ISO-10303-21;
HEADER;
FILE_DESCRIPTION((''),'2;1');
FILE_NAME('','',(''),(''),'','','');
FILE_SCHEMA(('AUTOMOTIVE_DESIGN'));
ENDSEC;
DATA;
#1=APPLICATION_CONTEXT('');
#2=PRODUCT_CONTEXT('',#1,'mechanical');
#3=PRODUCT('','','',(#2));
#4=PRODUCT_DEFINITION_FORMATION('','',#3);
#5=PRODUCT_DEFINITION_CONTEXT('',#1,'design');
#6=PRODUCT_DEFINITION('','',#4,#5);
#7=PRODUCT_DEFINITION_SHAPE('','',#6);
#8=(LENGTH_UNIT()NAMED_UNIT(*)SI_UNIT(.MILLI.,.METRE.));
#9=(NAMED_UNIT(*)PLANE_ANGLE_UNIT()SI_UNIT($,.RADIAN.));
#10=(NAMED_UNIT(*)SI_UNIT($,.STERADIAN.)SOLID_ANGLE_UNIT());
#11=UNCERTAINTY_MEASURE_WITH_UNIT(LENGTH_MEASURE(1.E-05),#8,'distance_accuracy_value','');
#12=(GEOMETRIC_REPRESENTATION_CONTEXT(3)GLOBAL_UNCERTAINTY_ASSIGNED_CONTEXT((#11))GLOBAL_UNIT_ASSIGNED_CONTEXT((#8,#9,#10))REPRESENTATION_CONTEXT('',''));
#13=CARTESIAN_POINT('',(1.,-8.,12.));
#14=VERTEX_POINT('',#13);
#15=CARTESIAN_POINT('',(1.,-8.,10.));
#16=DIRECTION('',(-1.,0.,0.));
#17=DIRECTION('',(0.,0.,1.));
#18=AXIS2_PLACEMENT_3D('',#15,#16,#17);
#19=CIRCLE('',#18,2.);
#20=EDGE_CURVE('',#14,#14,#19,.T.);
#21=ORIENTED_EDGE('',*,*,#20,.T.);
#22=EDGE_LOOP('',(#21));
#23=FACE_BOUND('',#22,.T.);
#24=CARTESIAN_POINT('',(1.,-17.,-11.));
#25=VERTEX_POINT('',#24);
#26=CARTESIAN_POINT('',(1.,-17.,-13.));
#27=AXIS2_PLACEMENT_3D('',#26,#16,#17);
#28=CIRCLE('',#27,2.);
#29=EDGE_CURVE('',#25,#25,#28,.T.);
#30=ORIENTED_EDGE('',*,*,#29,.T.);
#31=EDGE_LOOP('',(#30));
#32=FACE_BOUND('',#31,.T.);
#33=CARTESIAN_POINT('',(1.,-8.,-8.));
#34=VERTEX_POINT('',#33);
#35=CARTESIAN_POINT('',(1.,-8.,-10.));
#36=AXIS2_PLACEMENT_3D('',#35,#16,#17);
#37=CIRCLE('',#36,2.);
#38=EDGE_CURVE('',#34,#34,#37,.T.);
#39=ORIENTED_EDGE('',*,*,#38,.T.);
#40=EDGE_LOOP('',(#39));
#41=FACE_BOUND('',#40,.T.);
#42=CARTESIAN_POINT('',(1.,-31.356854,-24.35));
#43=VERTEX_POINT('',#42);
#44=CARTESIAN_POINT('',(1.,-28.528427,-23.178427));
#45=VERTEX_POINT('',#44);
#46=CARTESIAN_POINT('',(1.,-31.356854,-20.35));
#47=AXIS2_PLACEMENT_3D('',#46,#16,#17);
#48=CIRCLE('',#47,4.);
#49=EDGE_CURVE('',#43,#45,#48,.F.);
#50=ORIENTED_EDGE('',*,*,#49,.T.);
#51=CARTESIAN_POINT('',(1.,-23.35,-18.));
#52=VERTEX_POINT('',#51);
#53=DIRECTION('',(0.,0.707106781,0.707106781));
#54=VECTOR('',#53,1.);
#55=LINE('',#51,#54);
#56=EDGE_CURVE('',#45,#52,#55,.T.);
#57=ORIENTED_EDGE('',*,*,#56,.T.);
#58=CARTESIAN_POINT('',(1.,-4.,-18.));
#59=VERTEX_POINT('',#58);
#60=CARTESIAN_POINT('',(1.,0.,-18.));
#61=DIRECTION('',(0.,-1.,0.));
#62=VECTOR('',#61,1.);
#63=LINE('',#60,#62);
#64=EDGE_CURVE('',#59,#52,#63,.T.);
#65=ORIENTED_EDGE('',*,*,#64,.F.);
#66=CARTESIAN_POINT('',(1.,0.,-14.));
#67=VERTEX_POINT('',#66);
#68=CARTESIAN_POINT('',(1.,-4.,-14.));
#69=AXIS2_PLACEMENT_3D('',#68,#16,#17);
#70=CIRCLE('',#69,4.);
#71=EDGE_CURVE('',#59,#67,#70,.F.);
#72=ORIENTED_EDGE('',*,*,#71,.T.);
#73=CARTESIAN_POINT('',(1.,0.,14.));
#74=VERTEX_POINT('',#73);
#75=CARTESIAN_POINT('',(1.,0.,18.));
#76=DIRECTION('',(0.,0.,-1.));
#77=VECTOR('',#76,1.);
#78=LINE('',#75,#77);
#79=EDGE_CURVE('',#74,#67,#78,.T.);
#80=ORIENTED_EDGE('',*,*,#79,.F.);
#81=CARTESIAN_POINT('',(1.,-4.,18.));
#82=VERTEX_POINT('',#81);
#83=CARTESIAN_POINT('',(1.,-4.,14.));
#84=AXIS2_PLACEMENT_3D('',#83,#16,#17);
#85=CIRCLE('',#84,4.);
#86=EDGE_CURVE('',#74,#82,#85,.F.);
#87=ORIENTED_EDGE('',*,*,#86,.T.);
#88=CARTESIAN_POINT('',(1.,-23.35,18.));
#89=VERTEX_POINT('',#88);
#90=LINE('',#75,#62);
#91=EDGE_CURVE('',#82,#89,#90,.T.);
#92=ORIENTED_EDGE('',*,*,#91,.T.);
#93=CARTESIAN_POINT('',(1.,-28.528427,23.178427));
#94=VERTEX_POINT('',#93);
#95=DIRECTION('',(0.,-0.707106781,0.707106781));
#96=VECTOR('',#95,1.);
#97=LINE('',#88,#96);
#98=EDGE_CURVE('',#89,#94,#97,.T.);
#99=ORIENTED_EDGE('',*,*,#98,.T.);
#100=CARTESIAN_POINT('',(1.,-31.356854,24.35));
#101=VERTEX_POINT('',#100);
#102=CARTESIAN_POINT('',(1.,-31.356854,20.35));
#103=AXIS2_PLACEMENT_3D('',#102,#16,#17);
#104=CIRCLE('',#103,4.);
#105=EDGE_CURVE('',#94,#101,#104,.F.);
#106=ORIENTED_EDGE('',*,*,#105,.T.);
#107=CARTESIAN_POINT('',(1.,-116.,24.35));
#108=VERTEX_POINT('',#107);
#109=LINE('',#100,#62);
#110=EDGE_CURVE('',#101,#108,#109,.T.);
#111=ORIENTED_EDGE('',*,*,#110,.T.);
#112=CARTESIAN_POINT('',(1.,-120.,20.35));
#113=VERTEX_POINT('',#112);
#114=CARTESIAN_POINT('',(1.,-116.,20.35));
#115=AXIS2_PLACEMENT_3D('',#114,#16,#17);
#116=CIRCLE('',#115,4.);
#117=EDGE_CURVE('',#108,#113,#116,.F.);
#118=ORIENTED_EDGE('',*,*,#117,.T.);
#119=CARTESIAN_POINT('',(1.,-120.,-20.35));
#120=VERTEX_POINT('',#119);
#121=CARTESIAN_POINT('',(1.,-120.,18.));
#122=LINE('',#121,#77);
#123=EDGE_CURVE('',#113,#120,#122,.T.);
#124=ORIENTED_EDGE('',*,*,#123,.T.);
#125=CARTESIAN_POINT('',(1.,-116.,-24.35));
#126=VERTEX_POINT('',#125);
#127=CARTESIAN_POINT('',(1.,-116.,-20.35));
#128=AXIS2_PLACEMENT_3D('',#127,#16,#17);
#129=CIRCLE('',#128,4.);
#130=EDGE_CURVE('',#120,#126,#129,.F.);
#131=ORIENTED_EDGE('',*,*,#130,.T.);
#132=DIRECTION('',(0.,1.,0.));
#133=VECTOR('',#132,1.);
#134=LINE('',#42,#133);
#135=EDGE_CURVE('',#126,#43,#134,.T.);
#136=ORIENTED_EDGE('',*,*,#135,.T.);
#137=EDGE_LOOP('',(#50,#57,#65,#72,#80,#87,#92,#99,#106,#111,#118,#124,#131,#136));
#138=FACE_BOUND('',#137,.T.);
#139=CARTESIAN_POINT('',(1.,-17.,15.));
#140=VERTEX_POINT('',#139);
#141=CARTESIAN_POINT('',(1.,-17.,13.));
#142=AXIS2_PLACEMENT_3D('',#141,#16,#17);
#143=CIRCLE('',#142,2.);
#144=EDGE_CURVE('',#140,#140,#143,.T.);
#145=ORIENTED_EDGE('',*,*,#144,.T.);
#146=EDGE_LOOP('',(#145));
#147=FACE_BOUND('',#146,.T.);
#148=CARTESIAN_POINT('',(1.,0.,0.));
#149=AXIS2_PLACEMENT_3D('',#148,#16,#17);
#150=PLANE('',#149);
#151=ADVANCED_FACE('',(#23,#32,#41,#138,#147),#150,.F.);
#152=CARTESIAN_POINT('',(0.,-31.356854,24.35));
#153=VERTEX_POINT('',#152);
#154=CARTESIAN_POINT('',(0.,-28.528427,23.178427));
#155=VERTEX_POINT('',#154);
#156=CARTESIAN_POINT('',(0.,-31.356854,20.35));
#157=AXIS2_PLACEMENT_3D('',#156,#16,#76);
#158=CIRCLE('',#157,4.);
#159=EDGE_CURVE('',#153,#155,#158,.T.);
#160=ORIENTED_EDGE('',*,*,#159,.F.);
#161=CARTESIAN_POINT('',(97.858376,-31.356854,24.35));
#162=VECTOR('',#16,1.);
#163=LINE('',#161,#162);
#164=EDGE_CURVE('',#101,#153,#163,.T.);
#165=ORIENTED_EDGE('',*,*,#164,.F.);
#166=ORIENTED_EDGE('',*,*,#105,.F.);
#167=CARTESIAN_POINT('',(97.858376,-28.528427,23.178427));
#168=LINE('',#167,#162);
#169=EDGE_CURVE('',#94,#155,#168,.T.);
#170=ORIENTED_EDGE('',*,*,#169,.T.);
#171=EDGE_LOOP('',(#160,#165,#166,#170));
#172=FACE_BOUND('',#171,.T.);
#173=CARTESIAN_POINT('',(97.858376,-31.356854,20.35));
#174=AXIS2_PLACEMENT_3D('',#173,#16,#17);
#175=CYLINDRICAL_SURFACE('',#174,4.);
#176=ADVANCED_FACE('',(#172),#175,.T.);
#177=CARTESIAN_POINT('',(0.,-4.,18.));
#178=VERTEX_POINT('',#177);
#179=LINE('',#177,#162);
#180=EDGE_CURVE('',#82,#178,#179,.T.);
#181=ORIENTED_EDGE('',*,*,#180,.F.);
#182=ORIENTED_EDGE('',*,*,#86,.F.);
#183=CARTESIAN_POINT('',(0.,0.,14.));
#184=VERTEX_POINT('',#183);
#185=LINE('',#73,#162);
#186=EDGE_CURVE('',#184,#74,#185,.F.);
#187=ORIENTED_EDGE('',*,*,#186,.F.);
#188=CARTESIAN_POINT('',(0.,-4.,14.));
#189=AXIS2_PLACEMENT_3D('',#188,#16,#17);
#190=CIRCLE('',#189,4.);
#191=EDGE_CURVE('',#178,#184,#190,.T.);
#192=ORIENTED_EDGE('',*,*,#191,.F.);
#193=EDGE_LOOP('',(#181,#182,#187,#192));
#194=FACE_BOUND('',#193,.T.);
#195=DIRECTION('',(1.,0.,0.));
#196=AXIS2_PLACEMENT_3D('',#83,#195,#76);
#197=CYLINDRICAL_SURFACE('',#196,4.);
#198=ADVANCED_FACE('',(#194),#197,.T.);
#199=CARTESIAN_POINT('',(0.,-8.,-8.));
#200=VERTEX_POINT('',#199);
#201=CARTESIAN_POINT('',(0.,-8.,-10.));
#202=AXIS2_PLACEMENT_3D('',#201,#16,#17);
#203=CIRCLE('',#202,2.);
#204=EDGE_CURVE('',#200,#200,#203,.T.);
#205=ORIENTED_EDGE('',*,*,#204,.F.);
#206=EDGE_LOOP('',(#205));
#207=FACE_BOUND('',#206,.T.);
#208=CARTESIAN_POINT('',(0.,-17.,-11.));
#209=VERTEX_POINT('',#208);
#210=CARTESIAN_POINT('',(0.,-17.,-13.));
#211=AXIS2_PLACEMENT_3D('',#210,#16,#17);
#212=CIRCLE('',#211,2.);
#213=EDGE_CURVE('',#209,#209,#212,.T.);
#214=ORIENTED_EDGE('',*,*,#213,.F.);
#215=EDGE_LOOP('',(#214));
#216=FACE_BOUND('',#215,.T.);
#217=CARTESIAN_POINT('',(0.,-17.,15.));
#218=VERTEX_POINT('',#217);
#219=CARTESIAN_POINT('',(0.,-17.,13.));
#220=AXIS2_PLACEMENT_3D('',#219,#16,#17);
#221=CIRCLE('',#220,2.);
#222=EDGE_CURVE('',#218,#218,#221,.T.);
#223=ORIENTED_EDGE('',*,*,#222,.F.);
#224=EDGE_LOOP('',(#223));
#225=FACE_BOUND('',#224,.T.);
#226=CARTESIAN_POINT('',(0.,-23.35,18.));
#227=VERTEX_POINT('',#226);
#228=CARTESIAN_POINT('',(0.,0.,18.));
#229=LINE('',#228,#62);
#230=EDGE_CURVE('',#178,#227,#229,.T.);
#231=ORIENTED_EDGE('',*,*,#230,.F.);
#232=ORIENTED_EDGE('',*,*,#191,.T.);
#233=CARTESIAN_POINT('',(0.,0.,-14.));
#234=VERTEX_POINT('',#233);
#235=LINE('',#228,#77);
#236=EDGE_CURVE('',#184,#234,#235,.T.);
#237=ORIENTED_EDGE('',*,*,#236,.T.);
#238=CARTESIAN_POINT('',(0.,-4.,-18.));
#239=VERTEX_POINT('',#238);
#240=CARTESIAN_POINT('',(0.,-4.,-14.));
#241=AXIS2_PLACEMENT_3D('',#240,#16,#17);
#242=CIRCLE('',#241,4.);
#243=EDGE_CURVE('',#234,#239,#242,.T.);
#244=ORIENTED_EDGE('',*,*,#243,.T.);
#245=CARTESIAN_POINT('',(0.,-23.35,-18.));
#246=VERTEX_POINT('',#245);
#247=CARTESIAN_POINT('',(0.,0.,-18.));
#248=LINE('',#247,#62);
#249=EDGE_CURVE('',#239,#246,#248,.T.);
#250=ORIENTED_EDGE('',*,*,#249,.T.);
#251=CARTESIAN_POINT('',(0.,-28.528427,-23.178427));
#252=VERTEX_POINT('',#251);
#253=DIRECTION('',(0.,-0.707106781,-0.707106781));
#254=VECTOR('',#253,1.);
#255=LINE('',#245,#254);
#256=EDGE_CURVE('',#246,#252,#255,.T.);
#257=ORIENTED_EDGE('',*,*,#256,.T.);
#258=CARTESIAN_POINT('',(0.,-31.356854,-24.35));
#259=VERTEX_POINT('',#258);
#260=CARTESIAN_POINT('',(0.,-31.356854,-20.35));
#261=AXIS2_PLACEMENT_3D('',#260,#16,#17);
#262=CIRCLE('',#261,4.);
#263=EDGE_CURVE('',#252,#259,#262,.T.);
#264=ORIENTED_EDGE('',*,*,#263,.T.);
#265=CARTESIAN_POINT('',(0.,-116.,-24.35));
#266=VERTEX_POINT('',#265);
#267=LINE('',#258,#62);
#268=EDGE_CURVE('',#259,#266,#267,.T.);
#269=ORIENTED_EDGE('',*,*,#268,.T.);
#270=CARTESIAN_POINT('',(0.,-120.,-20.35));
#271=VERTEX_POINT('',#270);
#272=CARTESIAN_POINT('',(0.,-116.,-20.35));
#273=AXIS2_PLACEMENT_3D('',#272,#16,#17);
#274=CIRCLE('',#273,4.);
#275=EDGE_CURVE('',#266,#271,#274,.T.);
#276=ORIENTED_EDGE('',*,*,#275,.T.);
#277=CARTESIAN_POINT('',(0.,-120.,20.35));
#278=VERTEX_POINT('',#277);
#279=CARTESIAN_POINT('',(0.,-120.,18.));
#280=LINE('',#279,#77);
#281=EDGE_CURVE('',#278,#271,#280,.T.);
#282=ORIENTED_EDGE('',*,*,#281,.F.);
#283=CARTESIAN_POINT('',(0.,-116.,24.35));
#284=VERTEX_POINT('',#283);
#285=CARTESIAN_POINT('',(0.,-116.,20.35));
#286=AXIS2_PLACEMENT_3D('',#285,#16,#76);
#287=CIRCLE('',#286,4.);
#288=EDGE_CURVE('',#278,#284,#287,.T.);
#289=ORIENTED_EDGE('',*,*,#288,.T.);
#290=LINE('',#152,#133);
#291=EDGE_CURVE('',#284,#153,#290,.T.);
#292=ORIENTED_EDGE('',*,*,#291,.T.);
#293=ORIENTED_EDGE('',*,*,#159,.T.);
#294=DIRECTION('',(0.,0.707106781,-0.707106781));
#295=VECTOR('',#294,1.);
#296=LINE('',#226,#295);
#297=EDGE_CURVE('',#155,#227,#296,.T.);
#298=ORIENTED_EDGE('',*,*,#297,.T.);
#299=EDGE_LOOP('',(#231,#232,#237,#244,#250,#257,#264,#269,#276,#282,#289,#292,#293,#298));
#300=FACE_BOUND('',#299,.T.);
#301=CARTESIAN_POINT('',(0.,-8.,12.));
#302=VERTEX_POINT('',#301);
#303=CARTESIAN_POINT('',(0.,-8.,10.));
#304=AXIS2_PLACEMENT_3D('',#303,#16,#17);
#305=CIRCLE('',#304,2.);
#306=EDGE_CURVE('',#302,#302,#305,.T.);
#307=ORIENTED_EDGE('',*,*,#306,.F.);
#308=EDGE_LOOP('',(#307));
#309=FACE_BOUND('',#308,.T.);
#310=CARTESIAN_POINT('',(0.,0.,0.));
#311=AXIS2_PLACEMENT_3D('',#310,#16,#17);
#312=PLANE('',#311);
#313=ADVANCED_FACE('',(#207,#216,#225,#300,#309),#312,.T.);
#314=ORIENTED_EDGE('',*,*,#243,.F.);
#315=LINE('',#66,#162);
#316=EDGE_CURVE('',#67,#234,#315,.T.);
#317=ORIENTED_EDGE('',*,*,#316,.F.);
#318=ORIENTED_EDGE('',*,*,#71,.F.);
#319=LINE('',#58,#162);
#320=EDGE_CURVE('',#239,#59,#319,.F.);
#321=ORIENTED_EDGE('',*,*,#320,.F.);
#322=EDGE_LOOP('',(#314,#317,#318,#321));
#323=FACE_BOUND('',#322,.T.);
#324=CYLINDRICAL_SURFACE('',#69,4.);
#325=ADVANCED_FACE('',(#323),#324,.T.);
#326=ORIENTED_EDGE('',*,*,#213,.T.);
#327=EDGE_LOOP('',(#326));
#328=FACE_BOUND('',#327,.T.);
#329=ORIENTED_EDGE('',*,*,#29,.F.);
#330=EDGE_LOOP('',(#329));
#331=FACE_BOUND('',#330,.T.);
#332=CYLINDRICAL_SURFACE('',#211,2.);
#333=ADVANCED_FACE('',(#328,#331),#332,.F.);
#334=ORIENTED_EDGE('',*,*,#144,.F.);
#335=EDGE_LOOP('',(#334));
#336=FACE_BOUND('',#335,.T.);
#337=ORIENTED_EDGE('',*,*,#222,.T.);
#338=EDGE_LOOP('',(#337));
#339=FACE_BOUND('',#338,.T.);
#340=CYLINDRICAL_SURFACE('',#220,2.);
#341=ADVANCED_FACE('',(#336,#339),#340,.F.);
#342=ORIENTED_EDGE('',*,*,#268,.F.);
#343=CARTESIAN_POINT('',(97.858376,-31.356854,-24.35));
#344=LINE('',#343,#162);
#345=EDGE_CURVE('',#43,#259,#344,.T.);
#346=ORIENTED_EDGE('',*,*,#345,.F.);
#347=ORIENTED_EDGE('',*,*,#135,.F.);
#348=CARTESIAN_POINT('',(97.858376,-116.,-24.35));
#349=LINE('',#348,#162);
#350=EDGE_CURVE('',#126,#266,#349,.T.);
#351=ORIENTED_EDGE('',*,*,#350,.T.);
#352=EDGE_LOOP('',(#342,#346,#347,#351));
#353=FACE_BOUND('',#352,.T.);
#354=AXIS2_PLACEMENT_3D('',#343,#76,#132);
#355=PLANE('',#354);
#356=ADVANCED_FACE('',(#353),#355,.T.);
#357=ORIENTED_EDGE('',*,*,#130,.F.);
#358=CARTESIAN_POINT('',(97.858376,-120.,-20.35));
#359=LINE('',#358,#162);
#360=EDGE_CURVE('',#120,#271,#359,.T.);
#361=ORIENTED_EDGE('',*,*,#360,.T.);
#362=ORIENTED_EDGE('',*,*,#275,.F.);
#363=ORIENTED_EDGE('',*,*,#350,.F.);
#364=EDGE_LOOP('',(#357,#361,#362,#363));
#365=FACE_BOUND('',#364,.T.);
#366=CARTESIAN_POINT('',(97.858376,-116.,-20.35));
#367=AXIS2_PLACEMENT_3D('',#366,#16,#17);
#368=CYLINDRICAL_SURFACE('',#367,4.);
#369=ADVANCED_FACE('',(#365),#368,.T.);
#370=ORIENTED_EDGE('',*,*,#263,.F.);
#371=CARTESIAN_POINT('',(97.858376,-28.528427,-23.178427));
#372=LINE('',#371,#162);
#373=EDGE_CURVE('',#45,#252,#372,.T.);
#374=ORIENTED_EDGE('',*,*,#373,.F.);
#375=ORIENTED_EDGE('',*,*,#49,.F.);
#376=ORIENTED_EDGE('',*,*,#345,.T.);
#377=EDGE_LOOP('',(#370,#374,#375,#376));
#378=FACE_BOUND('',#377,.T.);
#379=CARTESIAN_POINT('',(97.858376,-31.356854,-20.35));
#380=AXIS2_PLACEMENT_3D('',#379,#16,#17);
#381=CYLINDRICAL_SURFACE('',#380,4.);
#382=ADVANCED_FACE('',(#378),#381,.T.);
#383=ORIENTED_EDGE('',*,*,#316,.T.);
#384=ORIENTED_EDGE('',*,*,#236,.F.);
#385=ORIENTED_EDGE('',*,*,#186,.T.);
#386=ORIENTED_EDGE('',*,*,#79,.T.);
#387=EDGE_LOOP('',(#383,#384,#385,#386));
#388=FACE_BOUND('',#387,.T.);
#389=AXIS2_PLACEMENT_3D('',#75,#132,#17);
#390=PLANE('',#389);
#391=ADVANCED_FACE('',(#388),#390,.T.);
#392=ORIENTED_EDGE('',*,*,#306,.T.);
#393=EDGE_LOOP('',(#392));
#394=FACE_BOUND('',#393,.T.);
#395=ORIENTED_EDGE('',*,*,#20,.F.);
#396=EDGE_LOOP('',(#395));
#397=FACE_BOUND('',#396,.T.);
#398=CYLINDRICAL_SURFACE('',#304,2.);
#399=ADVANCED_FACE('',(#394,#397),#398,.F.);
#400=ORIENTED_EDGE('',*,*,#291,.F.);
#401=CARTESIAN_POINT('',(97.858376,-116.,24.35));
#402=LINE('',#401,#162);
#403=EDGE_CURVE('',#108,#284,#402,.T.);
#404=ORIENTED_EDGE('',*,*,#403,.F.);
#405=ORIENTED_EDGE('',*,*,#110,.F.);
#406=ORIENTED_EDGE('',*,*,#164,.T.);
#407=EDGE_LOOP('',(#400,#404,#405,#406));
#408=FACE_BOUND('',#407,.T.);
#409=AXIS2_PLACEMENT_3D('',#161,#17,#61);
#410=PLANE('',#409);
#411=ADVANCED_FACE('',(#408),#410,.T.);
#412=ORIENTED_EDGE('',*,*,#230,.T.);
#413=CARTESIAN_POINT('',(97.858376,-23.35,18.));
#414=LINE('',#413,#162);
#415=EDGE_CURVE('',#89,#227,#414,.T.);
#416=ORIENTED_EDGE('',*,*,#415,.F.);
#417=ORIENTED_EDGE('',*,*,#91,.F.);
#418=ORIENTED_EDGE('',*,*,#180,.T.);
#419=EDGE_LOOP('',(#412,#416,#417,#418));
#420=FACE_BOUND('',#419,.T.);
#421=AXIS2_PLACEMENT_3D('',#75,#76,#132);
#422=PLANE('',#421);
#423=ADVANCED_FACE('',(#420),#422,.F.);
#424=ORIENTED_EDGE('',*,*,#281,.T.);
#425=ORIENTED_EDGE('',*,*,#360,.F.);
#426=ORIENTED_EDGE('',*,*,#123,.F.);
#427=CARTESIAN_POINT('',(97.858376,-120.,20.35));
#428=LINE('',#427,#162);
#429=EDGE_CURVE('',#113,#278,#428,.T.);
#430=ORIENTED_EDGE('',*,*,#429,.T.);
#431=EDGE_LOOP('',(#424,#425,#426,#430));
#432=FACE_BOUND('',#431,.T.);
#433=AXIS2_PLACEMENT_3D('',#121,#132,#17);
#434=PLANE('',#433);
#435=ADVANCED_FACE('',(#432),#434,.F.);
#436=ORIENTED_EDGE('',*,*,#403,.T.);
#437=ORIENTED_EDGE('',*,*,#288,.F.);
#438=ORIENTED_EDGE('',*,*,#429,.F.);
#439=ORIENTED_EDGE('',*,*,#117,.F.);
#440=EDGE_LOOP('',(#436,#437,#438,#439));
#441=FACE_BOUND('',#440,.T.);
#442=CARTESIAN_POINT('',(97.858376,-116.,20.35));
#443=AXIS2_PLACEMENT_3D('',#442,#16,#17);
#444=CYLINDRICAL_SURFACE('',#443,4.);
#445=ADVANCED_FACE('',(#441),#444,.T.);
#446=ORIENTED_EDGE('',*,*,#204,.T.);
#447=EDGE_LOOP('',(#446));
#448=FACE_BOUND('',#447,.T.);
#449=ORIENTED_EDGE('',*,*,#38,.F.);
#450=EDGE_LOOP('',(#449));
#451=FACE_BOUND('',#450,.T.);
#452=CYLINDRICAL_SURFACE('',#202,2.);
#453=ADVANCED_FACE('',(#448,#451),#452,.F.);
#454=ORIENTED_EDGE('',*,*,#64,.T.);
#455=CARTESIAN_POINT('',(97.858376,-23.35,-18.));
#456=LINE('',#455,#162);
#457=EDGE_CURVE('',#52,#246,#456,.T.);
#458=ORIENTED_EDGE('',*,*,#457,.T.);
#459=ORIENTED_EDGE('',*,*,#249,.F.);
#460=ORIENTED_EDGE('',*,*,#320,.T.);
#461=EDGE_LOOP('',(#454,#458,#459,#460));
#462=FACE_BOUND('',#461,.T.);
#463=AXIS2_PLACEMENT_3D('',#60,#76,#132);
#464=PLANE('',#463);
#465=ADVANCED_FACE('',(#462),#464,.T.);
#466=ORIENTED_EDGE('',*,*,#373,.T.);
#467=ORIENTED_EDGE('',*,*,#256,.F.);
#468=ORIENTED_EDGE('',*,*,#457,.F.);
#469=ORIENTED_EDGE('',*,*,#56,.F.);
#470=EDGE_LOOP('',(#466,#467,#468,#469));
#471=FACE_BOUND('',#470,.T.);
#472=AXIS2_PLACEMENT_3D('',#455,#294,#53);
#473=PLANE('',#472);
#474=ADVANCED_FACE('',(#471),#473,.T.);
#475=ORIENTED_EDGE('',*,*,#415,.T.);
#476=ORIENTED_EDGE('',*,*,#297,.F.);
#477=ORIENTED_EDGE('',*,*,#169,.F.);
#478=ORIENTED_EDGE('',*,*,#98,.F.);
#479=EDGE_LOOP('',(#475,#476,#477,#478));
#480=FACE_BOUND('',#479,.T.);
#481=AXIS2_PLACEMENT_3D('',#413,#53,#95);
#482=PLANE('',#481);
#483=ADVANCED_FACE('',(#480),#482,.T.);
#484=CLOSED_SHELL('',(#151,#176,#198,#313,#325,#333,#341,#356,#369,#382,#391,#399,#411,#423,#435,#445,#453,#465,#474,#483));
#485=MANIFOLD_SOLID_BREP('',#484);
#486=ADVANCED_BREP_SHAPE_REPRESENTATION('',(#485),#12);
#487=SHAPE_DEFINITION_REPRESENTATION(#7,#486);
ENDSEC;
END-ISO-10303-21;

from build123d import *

# Parameters (mm, degrees)
SKETCH1_W                = 36
SKETCH1_H                = 120
BOSS_EXTRUDE1_DEPTH      = 1
F_4_0_4_DIAMETER_HOLE2_D = 4
F_4_0_4_DIAMETER_HOLE3_D = 4
BOSS_EXTRUDE2_DEPTH      = 1
FILLET1_R                = 4


with BuildPart() as part:
    # Sketch1 → Boss-Extrude1 (new body)
    with BuildSketch(Plane(origin=(0, 0, 0), x_dir=(0, 0, -1), z_dir=(1, 0, 0))):
        with Locations((0, -60)):
            Rectangle(SKETCH1_W, SKETCH1_H)
    extrude(amount=BOSS_EXTRUDE1_DEPTH)

    # Ø4.0 (4) Diameter Hole2 (through all)
    with Locations(Plane.ZY):
        with Locations((-10, -8), (10, -8)):
            Hole(F_4_0_4_DIAMETER_HOLE2_D / 2)

    # Ø4.0 (4) Diameter Hole3 (through all)
    with Locations(Plane.ZY):
        with Locations((-13, -17), (13, -17)):
            Hole(F_4_0_4_DIAMETER_HOLE3_D / 2)

    # Sketch9 → Boss-Extrude2 (add)
    with BuildSketch(Plane.ZY):
        with BuildLine():
            Line((18, -23.35), (23.178427125, -28.528427125))
            ThreePointArc((23.178427125, -28.528427125), (24.04551813, -29.82612052), (24.35, -31.356854249))
            Line((24.35, -31.356854249), (24.35, -116))
            ThreePointArc((24.35, -116), (23.178427125, -118.828427125), (20.35, -120))
            Line((20.35, -120), (18, -120))
            Line((18, -120), (18, -23.35))
        make_face()
        with BuildLine():
            Line((-18, -23.35), (-23.178427125, -28.528427125))
            ThreePointArc((-23.178427125, -28.528427125), (-24.04551813, -29.82612052), (-24.35, -31.356854249))
            Line((-24.35, -31.356854249), (-24.35, -116))
            ThreePointArc((-24.35, -116), (-23.178427125, -118.828427125), (-20.35, -120))
            Line((-20.35, -120), (-18, -120))
            Line((-18, -120), (-18, -23.35))
        make_face()
    extrude(amount=-BOSS_EXTRUDE2_DEPTH)

    # Fillet1
    fillet1_edges = [part.edges().sort_by_distance(p)[0] for p in [
        (0.5, 0, 18),
        (0.5, 0, -18),
    ]]
    fillet(fillet1_edges, radius=FILLET1_R)


solid = part.part
